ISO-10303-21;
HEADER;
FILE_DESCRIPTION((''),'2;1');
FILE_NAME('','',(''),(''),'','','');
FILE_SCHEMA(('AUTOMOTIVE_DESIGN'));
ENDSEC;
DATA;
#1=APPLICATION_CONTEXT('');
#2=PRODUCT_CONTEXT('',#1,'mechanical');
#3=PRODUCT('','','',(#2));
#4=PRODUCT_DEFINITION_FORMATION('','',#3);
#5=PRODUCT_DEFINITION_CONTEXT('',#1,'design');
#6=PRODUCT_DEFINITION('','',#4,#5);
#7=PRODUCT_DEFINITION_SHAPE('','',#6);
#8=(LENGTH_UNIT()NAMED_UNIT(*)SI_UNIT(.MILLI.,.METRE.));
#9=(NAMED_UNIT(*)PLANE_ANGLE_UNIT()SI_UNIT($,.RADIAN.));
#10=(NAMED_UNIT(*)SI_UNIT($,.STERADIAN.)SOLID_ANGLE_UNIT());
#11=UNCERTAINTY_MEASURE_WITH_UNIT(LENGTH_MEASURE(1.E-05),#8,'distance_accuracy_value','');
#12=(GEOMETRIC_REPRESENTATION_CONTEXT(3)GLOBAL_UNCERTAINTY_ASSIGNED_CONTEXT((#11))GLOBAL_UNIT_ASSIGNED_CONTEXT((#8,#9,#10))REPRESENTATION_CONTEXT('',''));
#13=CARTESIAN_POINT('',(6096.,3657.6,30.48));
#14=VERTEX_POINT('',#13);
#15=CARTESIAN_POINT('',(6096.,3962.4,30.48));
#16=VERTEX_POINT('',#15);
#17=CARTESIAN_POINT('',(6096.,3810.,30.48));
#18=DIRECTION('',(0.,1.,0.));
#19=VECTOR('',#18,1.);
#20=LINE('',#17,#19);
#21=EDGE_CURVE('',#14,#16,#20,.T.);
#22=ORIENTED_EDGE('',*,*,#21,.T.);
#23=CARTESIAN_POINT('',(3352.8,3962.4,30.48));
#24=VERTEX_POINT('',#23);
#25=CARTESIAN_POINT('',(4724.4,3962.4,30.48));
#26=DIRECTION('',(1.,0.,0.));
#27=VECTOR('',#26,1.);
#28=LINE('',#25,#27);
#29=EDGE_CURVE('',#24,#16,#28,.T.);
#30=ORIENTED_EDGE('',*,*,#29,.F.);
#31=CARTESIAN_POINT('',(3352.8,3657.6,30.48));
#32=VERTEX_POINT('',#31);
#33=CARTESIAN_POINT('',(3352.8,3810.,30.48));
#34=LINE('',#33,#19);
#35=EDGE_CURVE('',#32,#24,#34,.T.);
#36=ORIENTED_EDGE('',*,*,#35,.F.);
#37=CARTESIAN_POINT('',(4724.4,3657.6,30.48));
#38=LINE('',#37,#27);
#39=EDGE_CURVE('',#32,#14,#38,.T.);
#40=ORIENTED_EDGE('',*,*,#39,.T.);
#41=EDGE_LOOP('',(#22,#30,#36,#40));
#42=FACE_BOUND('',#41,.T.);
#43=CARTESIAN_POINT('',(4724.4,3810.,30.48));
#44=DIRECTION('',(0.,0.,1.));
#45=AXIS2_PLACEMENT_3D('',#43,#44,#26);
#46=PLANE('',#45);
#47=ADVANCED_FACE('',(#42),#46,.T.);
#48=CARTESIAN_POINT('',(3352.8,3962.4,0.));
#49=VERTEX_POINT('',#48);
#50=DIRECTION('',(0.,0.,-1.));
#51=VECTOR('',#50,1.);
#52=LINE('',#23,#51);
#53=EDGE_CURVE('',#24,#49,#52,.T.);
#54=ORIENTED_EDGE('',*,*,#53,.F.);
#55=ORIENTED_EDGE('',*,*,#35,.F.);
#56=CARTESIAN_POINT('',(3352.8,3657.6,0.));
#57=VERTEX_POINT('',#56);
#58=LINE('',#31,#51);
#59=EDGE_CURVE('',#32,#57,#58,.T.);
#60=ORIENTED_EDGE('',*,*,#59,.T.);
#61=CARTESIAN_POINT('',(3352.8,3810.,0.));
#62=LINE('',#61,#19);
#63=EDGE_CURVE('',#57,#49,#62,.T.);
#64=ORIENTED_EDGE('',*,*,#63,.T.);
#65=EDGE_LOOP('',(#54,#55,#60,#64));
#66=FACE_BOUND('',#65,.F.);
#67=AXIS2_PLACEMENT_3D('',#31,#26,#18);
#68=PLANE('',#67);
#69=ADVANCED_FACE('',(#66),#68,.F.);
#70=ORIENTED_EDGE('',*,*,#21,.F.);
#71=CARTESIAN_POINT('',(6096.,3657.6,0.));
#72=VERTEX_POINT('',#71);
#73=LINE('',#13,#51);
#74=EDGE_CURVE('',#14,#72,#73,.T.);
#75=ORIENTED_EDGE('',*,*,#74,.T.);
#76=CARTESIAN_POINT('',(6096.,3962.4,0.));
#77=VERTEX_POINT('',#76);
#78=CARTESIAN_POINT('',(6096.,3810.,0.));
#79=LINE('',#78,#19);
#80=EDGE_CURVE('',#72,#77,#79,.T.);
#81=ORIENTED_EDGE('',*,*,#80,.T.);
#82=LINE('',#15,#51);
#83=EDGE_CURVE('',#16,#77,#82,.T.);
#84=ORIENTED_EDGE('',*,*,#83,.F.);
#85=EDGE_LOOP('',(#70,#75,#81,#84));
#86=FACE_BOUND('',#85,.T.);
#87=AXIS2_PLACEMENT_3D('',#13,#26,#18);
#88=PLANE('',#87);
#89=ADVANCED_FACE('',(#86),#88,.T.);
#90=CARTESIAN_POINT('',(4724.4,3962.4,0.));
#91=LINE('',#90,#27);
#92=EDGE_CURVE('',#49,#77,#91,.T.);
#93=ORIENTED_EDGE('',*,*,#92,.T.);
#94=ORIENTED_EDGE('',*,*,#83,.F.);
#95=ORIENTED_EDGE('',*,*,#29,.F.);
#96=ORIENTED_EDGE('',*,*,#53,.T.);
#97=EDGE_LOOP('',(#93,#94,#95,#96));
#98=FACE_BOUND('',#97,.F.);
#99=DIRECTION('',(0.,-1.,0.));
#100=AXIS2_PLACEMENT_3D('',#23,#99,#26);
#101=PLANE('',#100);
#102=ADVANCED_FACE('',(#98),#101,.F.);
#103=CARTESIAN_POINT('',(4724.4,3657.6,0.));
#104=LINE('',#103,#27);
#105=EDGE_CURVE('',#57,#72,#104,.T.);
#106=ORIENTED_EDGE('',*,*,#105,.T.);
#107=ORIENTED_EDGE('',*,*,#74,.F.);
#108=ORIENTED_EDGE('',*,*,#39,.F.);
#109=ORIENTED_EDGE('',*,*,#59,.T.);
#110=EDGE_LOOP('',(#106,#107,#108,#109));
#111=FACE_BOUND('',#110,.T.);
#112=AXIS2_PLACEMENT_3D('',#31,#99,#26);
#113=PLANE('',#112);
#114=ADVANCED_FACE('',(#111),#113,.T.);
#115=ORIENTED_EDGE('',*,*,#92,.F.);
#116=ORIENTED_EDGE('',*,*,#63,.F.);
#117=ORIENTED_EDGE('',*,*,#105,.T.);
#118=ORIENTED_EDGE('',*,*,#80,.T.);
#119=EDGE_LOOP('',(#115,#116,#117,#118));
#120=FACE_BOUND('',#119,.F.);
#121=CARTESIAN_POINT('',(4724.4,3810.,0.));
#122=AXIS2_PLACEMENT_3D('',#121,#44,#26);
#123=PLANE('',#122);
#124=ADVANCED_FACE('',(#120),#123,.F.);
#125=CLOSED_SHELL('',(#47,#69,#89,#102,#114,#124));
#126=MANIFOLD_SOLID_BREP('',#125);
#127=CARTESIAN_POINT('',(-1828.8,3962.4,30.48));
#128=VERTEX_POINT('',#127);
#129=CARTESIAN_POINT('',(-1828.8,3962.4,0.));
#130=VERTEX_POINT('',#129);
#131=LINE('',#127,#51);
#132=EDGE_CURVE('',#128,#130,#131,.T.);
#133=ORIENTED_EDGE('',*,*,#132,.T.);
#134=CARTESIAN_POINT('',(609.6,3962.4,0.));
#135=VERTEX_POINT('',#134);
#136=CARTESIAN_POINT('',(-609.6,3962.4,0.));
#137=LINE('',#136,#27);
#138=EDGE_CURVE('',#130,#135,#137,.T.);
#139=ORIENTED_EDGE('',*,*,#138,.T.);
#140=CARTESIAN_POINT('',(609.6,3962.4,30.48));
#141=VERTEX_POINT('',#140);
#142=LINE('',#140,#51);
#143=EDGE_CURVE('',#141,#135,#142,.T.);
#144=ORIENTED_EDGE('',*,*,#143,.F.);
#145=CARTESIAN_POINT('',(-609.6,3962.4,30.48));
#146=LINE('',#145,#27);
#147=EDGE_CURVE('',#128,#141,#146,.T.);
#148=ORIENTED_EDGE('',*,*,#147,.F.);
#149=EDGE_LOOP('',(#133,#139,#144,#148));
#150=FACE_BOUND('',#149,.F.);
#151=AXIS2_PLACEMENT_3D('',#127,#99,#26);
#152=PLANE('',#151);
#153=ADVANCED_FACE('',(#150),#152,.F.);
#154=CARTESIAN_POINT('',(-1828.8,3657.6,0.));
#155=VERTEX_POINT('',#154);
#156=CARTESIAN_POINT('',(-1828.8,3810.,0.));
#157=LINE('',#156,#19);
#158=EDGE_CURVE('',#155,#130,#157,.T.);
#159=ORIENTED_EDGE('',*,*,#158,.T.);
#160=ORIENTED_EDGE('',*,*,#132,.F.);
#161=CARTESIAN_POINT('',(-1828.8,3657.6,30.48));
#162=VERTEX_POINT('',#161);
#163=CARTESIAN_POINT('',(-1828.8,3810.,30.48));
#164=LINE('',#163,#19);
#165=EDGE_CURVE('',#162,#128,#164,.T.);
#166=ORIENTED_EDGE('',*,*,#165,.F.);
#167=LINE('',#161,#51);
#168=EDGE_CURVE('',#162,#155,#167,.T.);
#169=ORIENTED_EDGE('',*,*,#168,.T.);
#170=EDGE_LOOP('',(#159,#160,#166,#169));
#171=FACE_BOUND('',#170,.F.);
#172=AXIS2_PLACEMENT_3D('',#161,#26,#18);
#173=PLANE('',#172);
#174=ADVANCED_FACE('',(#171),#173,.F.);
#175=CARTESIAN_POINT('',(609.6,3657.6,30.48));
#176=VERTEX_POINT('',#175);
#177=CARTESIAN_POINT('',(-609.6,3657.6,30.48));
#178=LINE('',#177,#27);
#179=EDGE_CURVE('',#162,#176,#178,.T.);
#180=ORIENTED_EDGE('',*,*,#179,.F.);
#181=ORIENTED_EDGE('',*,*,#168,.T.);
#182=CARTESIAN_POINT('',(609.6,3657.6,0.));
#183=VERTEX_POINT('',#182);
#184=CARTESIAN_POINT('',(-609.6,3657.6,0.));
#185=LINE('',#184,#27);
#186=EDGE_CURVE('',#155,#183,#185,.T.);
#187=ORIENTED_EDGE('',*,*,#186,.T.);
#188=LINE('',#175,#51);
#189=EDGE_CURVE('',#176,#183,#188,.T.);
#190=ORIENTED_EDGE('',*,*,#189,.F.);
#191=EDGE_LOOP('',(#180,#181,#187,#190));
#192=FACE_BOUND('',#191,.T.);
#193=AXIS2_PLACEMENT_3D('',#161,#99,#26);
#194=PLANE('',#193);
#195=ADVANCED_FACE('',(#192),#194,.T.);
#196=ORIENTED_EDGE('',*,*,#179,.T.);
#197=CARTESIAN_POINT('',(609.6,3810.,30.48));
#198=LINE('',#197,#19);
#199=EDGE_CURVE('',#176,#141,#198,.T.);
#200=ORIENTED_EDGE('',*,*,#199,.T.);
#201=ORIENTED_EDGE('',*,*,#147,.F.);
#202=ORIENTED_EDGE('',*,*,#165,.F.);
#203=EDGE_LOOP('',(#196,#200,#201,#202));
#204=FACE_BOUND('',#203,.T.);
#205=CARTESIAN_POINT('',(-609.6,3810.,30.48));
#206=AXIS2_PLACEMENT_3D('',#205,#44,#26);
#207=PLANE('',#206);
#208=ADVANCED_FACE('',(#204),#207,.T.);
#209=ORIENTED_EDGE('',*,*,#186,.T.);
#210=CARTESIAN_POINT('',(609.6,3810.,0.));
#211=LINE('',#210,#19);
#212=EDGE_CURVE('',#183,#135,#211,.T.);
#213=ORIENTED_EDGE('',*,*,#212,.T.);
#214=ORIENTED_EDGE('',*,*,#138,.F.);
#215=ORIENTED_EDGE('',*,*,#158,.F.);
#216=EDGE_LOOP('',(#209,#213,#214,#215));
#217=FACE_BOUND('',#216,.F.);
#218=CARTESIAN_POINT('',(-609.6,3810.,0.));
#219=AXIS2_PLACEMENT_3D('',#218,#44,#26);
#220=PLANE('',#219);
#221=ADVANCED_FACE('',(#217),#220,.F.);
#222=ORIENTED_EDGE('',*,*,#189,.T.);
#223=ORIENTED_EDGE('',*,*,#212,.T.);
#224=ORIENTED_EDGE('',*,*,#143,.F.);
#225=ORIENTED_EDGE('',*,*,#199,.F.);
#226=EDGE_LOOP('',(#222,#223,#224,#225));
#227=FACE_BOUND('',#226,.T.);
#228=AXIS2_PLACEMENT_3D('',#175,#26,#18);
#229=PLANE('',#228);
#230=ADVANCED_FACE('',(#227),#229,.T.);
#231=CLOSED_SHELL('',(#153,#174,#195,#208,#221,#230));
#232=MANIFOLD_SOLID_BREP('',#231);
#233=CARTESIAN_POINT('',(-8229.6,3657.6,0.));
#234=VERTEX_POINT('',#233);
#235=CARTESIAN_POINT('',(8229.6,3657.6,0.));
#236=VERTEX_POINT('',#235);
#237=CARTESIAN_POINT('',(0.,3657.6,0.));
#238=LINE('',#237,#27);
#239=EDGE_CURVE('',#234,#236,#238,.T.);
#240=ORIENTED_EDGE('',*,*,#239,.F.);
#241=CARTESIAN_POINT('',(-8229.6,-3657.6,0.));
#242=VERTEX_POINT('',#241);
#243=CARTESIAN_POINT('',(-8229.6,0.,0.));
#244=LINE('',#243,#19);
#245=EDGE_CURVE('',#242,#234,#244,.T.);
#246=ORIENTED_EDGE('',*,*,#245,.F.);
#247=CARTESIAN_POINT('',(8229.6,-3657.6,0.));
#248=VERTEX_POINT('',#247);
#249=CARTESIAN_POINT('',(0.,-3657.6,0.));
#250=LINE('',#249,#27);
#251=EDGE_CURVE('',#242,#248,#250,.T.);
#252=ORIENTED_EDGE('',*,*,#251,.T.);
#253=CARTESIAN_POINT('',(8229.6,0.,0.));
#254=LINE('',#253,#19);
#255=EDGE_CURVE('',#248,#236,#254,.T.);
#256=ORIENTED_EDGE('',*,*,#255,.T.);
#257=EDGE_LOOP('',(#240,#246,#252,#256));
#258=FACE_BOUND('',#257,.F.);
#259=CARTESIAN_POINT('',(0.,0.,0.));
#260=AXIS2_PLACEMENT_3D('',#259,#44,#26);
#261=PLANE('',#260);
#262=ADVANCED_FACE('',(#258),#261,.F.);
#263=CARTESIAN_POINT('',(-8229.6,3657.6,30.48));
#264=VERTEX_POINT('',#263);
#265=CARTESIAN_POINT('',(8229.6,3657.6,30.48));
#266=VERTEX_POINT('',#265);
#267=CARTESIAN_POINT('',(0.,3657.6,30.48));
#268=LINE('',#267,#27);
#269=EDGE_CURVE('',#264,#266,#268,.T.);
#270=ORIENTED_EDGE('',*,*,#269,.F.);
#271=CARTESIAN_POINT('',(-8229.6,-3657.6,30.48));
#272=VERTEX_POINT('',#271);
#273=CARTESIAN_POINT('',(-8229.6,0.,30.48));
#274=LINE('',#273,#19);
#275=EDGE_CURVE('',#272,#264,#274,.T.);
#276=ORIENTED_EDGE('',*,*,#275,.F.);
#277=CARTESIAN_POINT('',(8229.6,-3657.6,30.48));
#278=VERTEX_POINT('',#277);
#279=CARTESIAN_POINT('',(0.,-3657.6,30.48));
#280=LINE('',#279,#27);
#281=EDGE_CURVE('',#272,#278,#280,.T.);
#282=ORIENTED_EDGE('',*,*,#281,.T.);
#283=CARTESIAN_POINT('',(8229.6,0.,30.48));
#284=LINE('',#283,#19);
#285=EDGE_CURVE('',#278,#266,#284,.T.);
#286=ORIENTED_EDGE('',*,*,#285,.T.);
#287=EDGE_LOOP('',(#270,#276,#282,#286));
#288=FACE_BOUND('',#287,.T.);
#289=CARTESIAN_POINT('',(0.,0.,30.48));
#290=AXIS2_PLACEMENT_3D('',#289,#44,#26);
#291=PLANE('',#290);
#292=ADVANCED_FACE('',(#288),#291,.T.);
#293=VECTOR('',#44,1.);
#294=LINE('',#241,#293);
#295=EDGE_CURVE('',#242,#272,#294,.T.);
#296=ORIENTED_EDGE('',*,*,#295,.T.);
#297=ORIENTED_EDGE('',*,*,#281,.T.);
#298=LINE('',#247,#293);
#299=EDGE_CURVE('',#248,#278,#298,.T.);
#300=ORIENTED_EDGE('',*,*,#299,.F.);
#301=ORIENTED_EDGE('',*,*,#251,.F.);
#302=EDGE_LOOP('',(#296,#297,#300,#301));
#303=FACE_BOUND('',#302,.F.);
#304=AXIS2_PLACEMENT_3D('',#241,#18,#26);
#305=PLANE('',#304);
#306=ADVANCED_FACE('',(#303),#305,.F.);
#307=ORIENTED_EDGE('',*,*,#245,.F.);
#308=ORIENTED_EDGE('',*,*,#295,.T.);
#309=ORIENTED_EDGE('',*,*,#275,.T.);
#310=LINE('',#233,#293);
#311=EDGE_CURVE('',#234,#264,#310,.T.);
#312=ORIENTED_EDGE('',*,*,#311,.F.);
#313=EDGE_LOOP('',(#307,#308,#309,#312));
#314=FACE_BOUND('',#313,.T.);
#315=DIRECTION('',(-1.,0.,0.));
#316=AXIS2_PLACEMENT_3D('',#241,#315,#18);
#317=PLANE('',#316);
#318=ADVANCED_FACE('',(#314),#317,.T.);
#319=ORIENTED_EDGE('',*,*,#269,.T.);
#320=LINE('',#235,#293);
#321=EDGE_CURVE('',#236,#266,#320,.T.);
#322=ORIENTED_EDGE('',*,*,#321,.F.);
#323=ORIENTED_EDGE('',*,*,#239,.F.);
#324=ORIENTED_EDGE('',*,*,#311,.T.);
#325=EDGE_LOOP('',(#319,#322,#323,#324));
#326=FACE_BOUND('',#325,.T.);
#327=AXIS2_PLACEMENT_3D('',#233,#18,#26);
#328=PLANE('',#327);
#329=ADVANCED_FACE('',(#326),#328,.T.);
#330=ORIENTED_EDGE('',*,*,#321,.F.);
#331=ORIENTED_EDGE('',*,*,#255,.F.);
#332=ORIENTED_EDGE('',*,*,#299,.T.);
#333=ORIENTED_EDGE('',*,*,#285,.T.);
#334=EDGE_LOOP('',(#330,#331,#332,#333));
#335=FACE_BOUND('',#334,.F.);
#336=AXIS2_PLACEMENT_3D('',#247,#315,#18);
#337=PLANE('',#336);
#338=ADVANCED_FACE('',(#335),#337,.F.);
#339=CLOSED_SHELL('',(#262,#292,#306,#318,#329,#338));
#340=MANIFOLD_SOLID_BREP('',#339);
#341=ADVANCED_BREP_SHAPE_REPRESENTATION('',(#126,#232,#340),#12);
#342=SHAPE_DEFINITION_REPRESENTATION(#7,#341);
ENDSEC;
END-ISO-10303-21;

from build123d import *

# Parameters (mm, degrees)
F0_W     = 16459.2
F0_H     = 7315.2
F1_DEPTH = 30.48
F2_W     = 2438.4
F2_H     = 304.8
F2_W_2   = 2743.2
F3_DEPTH = 30.48


with BuildPart() as f1:
    # F0 (on Top) → F1 (new body)
    with BuildSketch(Plane.XY):
        Rectangle(F0_W, F0_H)
    extrude(amount=F1_DEPTH)


with BuildPart() as f3:
    # F2 (on face) → F3 (new body)
    with BuildSketch(Plane.XY.offset(30.48)):
        with Locations((-609.6, 3810)):
            Rectangle(F2_W, F2_H)
        with Locations((4724.4, 3810)):
            Rectangle(F2_W_2, F2_H)
    extrude(amount=-F3_DEPTH)


solid = Compound([f1.part, f3.part])
